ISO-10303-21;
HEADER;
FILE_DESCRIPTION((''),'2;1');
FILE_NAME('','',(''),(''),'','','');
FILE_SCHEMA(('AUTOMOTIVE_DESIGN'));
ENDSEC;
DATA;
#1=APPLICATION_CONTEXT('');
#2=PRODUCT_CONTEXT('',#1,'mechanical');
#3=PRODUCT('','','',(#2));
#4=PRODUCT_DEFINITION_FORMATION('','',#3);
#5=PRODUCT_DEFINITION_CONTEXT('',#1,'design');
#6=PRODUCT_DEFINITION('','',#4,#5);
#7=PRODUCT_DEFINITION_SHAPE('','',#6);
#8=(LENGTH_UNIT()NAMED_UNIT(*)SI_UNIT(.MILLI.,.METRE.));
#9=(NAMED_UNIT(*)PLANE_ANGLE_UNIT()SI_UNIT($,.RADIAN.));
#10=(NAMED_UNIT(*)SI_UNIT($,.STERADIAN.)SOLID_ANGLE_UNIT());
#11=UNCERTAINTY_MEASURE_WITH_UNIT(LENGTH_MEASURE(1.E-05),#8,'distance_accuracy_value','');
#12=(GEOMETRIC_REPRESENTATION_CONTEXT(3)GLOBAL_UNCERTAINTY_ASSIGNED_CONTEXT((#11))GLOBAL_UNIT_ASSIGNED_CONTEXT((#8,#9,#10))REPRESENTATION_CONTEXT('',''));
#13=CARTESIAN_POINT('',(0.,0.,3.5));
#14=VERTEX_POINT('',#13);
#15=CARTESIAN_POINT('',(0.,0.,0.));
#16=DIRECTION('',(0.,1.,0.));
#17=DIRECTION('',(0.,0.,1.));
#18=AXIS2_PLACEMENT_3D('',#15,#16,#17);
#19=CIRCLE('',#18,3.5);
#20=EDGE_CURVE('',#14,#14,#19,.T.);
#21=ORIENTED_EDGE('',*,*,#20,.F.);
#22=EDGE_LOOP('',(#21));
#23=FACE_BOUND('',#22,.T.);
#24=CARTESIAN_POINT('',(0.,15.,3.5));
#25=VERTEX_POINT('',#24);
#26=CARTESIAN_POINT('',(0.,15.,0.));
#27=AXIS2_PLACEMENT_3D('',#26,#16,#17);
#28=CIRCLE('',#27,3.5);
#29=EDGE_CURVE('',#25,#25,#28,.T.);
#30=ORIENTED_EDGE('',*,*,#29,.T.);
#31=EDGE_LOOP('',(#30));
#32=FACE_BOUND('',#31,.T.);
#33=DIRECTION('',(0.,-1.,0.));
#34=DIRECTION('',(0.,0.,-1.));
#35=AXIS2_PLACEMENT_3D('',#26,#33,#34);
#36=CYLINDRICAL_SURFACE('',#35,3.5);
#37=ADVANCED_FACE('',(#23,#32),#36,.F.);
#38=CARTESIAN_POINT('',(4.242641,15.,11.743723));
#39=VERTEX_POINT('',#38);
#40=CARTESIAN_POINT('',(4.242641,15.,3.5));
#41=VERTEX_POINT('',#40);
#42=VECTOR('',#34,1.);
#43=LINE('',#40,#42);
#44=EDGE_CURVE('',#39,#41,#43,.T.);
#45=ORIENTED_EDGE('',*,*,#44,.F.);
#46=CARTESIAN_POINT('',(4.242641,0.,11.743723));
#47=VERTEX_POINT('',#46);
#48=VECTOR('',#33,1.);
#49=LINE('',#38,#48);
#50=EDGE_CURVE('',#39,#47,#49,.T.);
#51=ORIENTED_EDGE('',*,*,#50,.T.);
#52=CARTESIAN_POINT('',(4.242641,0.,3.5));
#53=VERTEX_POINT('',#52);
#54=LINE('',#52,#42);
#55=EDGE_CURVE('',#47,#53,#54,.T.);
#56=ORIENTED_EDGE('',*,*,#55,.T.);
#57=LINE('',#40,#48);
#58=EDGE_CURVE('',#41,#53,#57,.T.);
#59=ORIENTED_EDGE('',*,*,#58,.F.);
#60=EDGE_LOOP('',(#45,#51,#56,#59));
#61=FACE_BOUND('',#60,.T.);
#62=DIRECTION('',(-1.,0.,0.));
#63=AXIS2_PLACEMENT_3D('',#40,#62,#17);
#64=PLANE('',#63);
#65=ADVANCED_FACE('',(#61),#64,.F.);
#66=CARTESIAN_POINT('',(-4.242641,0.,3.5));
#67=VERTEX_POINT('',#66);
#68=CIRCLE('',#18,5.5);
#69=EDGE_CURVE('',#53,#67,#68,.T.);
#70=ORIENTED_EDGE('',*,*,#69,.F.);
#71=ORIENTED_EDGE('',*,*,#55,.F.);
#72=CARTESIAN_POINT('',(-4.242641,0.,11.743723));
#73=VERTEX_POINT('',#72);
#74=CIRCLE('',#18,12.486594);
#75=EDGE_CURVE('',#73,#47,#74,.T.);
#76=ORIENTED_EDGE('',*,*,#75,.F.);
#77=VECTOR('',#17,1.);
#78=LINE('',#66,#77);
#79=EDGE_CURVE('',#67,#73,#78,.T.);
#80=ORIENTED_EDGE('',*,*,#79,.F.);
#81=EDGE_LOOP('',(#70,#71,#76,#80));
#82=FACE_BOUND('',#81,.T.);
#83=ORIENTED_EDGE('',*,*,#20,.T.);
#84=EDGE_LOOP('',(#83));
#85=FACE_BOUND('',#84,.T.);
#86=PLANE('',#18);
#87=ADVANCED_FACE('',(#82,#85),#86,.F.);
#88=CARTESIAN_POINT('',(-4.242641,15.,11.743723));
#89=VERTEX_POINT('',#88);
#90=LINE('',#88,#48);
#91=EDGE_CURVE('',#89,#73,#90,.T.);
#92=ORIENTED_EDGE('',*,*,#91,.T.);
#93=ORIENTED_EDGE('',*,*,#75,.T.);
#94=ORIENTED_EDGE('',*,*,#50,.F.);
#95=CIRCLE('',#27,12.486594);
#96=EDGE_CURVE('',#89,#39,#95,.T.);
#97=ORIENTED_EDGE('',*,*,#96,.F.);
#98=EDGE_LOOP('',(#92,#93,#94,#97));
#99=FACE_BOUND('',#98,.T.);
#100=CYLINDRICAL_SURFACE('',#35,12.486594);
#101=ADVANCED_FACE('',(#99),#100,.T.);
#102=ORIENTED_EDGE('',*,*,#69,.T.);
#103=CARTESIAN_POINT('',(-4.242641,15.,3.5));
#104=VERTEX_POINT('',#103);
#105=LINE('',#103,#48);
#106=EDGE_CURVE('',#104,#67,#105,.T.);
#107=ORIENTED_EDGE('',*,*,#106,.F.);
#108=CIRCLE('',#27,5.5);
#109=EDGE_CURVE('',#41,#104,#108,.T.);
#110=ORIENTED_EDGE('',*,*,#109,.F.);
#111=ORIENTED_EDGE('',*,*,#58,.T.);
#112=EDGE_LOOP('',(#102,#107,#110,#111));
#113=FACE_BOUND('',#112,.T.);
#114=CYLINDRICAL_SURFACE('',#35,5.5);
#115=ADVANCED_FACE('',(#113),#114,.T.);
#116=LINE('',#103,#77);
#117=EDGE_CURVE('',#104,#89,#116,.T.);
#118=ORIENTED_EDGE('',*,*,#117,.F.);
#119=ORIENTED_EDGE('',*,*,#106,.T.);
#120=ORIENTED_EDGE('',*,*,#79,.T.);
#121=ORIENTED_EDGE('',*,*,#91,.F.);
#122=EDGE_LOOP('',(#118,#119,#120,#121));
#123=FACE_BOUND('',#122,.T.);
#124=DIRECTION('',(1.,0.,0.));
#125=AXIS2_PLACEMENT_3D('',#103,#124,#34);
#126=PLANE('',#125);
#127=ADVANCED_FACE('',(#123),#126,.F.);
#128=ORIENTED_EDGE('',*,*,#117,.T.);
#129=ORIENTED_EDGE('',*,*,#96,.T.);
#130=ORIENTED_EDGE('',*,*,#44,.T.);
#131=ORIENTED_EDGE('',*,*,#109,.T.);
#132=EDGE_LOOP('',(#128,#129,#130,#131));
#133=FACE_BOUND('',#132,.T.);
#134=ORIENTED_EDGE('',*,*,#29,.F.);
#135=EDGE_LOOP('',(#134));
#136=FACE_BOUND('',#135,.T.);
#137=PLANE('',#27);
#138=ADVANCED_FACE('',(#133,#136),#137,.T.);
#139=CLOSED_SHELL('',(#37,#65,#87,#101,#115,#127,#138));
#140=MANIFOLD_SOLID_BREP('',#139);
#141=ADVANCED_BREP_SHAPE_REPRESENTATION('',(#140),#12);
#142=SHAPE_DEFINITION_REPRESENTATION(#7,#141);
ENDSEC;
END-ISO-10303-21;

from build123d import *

# Parameters (mm, degrees)
SKETCH1_R           = 3.5
BOSS_EXTRUDE1_DEPTH = 15


with BuildPart() as part:
    # Sketch1 → Boss-Extrude1 (new body)
    with BuildSketch(Plane(origin=(0, 0, 0), x_dir=(1, 0, 0), z_dir=(0, 1, 0))):
        with BuildLine():
            Line((-4.242640687, -3.5), (-4.242640687, -11.743723008))
            ThreePointArc((-4.242640687, -11.743723008), (0, -12.486594014), (4.242640687, -11.743723008))
            Line((4.242640687, -11.743723008), (4.242640687, -3.5))
            ThreePointArc((4.242640687, -3.5), (0, 5.5), (-4.242640687, -3.5))
        make_face()
        with Locations(Location((0, 0, 0), (0, 0, 270))):
            Circle(SKETCH1_R, mode=Mode.SUBTRACT)
    extrude(amount=BOSS_EXTRUDE1_DEPTH)


solid = part.part
